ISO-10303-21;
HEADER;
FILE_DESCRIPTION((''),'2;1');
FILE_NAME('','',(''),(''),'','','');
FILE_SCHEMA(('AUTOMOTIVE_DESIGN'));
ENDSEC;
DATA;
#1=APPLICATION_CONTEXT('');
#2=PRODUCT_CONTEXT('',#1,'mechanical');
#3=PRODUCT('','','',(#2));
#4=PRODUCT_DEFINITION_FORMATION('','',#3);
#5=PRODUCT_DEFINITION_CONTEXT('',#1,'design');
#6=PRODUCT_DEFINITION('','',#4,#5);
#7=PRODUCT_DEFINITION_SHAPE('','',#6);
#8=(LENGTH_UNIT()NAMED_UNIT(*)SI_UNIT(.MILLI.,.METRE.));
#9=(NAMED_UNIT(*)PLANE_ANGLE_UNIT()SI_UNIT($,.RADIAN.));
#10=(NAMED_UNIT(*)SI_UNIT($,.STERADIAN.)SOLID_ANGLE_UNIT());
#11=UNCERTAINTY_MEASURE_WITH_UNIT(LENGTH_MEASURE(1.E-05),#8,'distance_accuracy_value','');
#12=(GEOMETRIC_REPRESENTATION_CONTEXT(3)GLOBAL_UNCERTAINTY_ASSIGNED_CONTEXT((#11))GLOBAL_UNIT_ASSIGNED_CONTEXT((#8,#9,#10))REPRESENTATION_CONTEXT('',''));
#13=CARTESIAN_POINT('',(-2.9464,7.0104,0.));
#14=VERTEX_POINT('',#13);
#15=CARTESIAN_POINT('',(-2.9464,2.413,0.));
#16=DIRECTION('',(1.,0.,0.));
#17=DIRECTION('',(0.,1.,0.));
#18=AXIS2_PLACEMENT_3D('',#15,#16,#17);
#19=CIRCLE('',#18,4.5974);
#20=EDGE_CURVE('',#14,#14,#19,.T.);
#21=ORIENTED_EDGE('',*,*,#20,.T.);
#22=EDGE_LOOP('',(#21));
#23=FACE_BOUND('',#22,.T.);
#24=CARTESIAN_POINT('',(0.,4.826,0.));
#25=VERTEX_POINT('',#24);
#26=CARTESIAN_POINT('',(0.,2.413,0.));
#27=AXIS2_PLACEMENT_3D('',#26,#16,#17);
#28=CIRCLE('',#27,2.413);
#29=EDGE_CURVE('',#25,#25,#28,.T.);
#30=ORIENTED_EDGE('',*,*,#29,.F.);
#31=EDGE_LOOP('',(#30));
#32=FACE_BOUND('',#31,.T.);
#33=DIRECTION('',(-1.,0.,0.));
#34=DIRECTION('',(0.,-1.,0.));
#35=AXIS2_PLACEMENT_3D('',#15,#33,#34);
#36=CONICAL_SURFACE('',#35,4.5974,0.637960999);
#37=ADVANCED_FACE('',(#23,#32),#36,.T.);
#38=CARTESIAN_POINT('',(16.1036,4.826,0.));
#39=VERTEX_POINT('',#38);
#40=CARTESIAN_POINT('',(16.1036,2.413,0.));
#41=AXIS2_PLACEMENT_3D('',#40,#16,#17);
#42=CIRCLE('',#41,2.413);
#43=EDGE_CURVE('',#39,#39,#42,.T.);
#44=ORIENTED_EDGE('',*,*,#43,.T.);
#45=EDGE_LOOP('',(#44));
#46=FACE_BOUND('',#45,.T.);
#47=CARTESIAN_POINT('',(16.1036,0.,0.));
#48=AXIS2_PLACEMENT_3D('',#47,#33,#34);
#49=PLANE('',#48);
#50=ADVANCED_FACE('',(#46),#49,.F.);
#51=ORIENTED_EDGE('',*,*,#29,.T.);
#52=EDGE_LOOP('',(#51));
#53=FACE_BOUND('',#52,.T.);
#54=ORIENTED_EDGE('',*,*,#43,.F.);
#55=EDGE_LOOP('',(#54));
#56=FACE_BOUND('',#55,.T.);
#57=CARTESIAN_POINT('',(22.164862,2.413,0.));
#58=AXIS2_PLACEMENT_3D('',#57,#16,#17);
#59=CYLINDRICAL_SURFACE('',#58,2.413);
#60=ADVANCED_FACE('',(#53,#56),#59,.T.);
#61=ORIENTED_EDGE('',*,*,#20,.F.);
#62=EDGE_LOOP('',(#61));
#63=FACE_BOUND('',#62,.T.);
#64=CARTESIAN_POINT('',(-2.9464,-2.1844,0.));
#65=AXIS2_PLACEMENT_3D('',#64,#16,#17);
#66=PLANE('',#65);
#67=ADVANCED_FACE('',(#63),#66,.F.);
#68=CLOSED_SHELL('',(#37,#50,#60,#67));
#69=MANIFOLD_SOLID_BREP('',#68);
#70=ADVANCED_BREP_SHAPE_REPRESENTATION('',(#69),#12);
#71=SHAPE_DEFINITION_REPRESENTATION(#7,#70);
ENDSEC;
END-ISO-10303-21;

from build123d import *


with BuildPart() as part:
    # Sketch1 → Revolve1 (revolve)
    with BuildSketch(Plane.XY):
        Polygon((0, 0), (16.1036, 0), (16.1036, 2.413), (-2.9464, 2.413), (-2.9464, -2.1844), align=None)
    revolve(axis=Axis((22.164862166, 2.413, 0), (-1, 0, 0)))


solid = part.part
